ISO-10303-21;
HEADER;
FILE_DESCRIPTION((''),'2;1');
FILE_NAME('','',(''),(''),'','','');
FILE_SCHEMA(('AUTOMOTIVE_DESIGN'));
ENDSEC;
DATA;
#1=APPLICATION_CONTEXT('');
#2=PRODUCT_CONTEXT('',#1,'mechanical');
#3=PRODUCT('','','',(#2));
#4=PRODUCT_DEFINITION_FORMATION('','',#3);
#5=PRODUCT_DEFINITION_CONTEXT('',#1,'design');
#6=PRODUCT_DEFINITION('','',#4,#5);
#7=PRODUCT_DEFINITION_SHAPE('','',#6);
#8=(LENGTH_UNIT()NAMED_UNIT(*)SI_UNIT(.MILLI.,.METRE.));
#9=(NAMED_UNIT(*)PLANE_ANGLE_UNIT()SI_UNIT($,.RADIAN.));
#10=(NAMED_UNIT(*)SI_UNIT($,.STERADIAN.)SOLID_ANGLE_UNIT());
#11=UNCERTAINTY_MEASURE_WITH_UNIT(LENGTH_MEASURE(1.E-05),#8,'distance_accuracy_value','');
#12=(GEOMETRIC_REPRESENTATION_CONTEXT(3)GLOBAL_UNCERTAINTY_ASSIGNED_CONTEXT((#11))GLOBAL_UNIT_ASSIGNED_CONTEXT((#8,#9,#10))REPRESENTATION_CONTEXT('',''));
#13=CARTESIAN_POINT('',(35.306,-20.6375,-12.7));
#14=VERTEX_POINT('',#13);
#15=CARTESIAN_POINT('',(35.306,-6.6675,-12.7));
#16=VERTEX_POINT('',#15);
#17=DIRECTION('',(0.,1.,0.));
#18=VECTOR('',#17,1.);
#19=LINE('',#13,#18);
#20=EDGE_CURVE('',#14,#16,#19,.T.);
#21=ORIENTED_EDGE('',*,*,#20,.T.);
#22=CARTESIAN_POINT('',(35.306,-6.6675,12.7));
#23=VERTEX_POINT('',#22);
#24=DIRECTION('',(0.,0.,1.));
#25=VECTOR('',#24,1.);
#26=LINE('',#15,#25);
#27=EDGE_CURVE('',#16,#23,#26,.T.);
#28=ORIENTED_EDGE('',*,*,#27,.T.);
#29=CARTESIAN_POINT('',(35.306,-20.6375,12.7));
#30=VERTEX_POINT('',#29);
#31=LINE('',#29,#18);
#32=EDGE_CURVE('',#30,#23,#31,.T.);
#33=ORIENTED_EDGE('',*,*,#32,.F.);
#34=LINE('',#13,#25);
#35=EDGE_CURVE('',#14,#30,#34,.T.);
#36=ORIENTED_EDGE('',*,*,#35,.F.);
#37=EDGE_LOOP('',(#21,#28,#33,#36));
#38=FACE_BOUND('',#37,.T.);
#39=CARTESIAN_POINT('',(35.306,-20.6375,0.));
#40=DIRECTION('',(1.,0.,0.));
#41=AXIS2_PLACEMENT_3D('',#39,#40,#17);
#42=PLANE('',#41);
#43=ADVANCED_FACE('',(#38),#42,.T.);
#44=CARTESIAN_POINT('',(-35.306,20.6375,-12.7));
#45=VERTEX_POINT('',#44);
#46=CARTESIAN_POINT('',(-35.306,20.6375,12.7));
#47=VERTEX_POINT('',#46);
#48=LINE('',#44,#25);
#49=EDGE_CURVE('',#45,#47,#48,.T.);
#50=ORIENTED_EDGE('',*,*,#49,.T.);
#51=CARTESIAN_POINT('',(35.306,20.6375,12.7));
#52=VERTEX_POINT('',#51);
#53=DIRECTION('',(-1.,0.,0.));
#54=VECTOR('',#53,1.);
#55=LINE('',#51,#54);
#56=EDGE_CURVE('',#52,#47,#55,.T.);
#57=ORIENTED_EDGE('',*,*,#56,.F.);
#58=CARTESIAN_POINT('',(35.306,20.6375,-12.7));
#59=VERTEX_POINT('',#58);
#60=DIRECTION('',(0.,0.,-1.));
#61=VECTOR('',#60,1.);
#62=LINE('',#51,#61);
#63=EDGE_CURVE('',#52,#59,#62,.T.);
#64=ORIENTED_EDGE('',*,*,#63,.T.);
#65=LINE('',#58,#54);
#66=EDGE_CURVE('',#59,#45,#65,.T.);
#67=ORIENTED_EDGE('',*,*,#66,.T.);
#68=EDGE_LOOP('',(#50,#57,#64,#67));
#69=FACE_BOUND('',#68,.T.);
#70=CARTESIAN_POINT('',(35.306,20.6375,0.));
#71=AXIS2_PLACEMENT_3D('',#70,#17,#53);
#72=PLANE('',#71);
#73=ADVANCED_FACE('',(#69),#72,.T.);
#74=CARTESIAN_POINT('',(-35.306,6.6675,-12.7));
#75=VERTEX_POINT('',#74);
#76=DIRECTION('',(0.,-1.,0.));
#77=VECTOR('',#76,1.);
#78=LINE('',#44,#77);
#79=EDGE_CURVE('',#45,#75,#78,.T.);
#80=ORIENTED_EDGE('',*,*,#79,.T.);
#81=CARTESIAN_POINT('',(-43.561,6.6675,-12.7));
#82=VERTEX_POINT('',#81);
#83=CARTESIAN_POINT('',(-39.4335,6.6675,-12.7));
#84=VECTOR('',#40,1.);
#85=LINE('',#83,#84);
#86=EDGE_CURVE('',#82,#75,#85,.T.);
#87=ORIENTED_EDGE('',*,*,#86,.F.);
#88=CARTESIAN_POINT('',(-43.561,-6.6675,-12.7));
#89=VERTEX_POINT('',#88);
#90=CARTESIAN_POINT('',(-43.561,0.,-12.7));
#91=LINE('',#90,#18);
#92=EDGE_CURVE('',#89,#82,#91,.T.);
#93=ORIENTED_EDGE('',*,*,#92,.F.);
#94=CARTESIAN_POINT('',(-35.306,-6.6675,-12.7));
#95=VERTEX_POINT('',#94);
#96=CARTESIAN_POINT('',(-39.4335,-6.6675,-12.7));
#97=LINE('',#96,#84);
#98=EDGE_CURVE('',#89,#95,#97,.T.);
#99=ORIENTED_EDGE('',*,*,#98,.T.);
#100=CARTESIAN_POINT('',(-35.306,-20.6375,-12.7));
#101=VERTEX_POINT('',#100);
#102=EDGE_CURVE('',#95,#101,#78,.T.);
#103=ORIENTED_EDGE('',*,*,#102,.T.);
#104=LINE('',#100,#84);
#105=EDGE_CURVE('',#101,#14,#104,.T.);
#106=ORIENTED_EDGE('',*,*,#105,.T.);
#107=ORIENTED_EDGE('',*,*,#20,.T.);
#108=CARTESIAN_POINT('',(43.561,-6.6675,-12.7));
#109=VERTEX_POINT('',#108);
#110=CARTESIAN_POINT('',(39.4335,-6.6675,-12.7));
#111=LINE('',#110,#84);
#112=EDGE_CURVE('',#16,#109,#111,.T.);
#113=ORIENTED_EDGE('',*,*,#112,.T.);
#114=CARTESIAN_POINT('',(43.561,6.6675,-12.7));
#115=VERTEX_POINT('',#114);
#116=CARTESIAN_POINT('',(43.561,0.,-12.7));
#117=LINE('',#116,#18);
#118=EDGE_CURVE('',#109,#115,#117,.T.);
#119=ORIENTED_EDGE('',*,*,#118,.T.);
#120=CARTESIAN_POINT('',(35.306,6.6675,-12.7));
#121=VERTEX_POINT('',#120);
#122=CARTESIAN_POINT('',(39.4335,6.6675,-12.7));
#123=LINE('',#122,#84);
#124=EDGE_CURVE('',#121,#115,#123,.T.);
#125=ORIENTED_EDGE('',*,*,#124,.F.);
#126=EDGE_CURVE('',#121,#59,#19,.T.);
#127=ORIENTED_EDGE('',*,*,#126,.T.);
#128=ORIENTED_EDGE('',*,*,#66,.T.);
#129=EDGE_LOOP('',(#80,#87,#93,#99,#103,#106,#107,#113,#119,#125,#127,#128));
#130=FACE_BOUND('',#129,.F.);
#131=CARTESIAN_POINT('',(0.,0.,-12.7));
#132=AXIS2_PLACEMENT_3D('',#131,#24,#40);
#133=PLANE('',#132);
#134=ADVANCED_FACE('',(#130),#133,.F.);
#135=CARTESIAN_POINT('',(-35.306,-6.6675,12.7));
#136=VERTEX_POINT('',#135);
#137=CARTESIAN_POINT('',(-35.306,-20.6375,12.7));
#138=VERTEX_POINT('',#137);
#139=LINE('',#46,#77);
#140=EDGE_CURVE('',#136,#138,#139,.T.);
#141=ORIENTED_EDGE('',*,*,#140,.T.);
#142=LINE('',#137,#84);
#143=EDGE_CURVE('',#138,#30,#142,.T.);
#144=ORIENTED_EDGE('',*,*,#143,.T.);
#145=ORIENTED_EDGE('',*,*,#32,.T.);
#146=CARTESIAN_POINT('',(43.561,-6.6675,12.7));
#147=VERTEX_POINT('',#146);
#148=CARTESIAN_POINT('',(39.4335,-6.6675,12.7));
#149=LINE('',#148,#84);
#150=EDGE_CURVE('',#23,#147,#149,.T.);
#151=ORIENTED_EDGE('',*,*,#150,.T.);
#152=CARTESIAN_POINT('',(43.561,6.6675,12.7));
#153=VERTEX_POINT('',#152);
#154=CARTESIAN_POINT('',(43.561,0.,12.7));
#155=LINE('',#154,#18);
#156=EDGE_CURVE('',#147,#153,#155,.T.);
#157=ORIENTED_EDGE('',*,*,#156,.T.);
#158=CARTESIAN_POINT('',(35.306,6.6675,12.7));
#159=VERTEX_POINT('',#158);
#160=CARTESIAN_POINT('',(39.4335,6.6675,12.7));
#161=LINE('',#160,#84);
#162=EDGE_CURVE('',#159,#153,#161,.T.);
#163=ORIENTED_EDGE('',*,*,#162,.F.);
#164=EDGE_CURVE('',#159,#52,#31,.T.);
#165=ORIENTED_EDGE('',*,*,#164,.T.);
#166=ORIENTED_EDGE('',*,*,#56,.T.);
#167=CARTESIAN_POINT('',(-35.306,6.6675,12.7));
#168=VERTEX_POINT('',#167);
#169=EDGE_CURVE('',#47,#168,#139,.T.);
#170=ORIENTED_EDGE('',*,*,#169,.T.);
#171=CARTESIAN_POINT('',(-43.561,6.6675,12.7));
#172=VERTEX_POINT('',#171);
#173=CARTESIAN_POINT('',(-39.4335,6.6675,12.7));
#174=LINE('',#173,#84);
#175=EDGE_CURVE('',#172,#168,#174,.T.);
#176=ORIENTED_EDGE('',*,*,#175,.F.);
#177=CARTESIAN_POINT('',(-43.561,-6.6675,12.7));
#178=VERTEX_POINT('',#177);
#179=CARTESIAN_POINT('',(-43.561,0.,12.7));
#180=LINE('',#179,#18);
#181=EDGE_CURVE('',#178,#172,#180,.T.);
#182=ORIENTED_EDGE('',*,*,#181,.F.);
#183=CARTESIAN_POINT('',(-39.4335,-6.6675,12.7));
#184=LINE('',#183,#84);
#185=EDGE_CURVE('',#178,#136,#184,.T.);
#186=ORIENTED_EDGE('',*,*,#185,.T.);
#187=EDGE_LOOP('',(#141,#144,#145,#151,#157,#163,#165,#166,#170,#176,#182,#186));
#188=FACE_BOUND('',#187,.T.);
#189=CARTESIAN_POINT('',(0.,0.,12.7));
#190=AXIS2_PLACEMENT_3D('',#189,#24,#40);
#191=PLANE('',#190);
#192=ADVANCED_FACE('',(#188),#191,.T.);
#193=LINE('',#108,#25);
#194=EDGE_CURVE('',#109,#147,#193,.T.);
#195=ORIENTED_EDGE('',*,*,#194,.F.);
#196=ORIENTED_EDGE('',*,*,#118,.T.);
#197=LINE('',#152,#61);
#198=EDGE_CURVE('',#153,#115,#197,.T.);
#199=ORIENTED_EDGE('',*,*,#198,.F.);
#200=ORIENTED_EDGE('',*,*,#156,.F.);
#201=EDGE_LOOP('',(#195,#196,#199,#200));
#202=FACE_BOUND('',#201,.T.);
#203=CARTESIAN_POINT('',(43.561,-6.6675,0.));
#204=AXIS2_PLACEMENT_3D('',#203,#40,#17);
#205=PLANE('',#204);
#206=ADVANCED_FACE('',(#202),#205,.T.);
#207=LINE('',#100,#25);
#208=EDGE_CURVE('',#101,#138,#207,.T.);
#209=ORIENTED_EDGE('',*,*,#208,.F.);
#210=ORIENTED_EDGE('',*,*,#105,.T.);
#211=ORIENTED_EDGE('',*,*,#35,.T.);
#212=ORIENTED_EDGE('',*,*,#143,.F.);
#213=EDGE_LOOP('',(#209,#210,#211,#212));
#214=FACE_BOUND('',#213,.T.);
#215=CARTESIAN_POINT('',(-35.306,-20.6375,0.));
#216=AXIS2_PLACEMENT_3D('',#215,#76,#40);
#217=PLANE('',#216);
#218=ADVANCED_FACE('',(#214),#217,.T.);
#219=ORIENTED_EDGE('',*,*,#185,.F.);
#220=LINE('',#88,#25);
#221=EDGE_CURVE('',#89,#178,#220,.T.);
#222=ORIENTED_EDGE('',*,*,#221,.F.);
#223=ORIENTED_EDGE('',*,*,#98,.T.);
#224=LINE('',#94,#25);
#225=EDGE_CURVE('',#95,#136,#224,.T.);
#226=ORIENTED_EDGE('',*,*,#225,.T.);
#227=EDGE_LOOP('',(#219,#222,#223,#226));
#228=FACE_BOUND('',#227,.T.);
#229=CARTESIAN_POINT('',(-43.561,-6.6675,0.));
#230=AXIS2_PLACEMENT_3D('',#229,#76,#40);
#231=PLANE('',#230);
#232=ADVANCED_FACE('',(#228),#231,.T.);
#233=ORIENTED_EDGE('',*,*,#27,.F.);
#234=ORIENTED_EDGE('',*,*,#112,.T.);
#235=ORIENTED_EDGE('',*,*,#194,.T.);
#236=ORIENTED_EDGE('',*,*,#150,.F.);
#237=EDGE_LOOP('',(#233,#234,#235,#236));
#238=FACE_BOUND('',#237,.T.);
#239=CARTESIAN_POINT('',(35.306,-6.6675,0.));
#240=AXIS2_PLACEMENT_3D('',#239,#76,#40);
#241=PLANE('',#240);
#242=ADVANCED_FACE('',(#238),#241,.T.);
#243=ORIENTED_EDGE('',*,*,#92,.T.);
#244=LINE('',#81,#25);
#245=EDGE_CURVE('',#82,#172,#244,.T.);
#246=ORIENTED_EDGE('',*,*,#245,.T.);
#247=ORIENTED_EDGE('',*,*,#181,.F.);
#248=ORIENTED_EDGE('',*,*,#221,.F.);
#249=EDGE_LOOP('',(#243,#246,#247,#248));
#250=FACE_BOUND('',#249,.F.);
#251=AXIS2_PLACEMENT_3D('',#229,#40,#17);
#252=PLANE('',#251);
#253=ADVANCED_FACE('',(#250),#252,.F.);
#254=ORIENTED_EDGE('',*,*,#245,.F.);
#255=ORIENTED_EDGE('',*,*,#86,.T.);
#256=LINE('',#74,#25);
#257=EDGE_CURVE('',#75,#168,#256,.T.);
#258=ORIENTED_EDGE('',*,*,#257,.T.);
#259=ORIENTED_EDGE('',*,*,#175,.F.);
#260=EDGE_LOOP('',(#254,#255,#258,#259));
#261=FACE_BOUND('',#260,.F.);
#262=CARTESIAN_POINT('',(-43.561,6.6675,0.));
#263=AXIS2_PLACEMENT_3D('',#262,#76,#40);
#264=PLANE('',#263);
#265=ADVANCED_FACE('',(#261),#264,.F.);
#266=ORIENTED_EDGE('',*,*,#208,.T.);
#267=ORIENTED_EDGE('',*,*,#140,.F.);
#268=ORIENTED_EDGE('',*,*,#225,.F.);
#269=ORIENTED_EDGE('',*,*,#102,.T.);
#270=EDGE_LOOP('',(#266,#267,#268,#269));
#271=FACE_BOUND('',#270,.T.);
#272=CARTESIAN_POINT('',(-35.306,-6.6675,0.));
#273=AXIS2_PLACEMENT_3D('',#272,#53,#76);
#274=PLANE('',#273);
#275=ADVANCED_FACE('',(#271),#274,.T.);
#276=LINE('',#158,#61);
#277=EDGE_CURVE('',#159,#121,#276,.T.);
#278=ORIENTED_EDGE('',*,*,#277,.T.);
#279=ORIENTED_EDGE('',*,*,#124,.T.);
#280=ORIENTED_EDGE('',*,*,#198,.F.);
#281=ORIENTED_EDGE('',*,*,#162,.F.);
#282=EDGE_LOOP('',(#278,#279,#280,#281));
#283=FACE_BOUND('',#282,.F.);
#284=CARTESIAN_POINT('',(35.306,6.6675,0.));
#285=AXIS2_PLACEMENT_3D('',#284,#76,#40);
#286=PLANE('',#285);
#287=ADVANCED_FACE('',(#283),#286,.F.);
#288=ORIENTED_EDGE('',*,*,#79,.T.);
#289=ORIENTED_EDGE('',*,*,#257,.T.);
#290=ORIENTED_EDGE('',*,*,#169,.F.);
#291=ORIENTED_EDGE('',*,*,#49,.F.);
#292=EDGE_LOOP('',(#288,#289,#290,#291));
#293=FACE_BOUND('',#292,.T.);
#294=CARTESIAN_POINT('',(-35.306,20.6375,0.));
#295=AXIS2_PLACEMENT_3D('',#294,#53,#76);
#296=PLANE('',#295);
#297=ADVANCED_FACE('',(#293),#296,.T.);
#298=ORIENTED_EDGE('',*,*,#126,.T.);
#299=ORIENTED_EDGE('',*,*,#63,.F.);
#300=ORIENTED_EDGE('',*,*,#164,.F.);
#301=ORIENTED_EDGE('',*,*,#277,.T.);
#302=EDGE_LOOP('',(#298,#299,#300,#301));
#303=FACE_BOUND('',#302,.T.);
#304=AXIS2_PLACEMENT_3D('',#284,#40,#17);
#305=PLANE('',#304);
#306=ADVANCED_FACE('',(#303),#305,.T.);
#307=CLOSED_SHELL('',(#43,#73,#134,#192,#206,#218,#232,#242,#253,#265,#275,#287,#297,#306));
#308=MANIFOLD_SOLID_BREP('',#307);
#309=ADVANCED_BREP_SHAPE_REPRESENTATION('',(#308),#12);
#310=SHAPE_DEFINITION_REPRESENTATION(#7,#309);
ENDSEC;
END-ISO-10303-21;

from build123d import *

# Parameters (mm, degrees)
F0_W     = 8.255
F0_H     = 13.335
F1_DEPTH = 12.7


with BuildPart() as f1:
    # F0 (on Top) → F1 (new body, symmetric)
    with BuildSketch(Plane.XY):
        Polygon((35.306, 6.6675), (35.306, 20.6375), (-35.306, 20.6375), (-35.306, 6.6675), (-35.306, -6.6675), (-35.306, -20.6375), (35.306, -20.6375), (35.306, -6.6675), align=None)
        with Locations((-39.4335, 0)):
            Rectangle(F0_W, F0_H)
        with Locations((39.4335, 0)):
            Rectangle(F0_W, F0_H)
    extrude(amount=F1_DEPTH, both=True)


solid = f1.part
